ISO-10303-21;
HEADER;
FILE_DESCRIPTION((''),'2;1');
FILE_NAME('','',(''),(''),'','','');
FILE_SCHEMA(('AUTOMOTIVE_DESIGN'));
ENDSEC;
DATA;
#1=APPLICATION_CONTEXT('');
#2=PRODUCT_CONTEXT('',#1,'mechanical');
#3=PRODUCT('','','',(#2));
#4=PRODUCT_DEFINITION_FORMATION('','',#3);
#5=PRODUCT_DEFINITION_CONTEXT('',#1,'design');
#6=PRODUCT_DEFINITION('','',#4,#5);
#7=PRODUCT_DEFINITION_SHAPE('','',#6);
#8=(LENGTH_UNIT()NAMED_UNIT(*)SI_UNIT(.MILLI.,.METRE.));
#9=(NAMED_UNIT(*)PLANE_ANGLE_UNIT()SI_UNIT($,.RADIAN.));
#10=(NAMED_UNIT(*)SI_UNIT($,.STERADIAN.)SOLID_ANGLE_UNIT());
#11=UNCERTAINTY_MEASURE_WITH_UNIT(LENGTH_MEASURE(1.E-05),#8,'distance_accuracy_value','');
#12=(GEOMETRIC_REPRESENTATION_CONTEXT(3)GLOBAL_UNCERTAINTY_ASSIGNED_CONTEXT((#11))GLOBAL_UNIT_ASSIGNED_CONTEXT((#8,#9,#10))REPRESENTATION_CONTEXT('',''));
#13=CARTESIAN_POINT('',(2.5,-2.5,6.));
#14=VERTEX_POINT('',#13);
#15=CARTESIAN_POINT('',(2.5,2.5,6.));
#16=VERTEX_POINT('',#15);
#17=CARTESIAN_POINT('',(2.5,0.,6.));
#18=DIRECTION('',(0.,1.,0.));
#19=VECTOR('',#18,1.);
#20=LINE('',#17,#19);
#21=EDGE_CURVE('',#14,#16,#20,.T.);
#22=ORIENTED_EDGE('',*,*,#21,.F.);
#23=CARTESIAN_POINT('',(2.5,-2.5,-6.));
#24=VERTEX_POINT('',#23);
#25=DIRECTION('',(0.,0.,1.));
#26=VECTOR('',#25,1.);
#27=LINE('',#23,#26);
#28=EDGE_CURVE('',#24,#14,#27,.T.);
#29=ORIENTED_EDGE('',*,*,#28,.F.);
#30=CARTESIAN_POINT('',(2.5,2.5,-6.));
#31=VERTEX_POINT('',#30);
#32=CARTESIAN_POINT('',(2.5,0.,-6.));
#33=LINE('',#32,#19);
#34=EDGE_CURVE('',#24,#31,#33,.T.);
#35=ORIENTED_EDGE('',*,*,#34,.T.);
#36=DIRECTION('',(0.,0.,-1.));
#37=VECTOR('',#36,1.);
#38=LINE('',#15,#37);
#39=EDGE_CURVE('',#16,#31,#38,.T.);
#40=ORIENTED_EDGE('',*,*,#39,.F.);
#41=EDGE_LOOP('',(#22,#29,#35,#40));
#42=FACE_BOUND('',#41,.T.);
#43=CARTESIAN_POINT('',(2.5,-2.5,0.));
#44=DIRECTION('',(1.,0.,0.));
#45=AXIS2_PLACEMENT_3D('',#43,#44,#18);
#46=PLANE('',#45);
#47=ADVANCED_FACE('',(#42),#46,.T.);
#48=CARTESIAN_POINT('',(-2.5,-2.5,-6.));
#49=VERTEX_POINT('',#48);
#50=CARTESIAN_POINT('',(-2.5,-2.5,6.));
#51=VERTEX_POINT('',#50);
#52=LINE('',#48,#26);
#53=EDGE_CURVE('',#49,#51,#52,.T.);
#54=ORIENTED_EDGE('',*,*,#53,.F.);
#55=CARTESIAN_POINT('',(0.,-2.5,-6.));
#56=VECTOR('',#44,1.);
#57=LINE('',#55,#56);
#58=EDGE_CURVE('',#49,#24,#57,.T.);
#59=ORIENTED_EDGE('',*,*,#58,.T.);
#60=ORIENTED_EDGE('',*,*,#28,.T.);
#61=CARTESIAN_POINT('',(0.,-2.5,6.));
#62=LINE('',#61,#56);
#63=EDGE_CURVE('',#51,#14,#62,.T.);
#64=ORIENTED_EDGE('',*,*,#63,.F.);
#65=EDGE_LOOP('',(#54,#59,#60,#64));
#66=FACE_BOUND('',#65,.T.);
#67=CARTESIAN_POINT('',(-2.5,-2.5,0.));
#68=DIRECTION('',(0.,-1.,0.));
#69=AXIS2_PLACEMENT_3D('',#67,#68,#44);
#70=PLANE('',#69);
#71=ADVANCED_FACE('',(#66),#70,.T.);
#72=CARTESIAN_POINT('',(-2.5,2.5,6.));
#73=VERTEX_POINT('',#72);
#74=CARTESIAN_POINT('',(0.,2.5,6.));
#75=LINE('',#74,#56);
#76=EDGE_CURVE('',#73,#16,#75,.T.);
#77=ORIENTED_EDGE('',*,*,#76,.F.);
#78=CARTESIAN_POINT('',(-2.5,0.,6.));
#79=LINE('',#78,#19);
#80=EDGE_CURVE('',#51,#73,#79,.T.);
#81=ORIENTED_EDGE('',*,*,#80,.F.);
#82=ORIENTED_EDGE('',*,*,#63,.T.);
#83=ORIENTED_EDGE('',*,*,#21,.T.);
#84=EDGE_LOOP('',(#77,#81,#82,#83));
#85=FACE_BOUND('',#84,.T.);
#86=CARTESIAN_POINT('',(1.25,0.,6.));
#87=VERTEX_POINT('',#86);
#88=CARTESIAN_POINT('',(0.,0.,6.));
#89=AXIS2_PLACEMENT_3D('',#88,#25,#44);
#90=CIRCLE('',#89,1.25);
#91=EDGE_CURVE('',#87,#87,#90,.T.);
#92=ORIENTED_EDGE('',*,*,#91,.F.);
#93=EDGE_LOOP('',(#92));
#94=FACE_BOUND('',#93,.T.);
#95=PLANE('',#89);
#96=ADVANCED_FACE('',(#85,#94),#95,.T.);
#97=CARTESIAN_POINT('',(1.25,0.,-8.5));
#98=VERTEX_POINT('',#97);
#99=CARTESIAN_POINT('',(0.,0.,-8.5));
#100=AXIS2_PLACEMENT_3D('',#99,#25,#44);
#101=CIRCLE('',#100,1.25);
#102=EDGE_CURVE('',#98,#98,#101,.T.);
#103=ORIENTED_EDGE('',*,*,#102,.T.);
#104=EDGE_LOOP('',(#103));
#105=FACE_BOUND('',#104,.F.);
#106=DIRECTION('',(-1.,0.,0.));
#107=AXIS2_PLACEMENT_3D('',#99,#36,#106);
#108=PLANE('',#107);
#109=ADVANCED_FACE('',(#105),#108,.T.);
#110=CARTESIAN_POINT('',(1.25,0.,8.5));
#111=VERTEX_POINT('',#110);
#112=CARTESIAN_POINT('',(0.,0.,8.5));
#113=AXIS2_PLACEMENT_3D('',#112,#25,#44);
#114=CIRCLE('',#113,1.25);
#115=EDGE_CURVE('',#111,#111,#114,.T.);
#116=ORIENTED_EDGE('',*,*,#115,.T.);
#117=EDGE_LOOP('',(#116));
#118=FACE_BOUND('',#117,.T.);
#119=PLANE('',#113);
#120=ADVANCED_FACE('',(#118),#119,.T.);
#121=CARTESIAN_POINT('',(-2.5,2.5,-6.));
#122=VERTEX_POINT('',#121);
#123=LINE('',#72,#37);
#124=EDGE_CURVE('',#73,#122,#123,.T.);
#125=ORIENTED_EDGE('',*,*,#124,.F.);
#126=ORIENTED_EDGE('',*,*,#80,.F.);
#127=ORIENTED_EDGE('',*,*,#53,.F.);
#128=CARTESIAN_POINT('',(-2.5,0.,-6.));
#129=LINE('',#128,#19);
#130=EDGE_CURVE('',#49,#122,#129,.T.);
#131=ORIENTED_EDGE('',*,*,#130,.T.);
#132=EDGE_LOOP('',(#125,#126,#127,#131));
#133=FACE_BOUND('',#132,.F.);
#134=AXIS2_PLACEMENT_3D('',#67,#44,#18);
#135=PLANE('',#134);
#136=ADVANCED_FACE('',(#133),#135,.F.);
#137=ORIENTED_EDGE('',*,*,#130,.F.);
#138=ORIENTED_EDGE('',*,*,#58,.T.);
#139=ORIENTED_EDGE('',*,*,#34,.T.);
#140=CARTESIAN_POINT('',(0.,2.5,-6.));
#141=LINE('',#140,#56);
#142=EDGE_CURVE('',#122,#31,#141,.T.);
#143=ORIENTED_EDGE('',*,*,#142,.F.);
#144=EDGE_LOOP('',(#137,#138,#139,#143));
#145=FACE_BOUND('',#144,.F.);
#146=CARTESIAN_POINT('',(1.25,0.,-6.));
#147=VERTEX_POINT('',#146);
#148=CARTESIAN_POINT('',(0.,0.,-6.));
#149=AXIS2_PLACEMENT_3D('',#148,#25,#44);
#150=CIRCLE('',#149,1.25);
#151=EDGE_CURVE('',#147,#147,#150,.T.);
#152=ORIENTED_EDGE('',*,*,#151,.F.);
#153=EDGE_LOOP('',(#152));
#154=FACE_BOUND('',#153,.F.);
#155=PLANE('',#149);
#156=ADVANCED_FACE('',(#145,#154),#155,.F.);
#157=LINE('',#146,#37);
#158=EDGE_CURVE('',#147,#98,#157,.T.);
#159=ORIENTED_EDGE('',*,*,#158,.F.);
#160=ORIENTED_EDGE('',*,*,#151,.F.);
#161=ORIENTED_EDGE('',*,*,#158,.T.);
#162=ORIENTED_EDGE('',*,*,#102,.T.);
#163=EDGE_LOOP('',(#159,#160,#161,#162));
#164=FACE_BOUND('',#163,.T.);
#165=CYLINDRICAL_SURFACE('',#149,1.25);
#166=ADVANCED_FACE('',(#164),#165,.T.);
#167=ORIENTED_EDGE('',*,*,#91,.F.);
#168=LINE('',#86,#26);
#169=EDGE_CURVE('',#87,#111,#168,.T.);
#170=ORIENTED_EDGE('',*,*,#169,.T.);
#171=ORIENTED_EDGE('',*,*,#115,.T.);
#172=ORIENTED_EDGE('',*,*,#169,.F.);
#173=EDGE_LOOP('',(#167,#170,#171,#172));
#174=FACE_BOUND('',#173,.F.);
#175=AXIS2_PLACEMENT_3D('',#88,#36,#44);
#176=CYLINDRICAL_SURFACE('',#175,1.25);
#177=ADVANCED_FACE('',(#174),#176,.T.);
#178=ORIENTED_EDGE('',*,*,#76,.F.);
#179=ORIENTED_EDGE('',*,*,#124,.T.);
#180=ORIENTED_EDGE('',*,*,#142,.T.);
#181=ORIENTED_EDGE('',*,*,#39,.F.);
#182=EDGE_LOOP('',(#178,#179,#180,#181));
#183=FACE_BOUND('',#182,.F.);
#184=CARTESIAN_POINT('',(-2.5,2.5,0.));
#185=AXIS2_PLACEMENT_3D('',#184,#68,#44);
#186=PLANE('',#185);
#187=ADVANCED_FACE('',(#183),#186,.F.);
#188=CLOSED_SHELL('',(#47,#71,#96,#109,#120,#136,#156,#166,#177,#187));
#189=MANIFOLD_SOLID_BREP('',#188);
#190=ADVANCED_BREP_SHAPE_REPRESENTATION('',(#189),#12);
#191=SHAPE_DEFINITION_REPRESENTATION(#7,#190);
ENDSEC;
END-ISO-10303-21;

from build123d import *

# Parameters (mm, degrees)
F0_W     = 5
F0_H     = 5
F1_DEPTH = 6
F2_R     = 1.25
F3_DEPTH = 2.5


with BuildPart() as f1:
    # F0 (on Top) → F1 (new body, symmetric)
    with BuildSketch(Plane.XY):
        Rectangle(F0_W, F0_H)
    extrude(amount=F1_DEPTH, both=True)

    # F2 (on face) → F3 (join)
    with BuildSketch(Plane.XY.offset(6)):
        Circle(F2_R)
    extrude(amount=F3_DEPTH)

    # F4: F1 across plane


with BuildPart() as f1_1:
    add(f1.part)
    add(f1.part.mirror(Plane.XY))


solid = f1_1.part
